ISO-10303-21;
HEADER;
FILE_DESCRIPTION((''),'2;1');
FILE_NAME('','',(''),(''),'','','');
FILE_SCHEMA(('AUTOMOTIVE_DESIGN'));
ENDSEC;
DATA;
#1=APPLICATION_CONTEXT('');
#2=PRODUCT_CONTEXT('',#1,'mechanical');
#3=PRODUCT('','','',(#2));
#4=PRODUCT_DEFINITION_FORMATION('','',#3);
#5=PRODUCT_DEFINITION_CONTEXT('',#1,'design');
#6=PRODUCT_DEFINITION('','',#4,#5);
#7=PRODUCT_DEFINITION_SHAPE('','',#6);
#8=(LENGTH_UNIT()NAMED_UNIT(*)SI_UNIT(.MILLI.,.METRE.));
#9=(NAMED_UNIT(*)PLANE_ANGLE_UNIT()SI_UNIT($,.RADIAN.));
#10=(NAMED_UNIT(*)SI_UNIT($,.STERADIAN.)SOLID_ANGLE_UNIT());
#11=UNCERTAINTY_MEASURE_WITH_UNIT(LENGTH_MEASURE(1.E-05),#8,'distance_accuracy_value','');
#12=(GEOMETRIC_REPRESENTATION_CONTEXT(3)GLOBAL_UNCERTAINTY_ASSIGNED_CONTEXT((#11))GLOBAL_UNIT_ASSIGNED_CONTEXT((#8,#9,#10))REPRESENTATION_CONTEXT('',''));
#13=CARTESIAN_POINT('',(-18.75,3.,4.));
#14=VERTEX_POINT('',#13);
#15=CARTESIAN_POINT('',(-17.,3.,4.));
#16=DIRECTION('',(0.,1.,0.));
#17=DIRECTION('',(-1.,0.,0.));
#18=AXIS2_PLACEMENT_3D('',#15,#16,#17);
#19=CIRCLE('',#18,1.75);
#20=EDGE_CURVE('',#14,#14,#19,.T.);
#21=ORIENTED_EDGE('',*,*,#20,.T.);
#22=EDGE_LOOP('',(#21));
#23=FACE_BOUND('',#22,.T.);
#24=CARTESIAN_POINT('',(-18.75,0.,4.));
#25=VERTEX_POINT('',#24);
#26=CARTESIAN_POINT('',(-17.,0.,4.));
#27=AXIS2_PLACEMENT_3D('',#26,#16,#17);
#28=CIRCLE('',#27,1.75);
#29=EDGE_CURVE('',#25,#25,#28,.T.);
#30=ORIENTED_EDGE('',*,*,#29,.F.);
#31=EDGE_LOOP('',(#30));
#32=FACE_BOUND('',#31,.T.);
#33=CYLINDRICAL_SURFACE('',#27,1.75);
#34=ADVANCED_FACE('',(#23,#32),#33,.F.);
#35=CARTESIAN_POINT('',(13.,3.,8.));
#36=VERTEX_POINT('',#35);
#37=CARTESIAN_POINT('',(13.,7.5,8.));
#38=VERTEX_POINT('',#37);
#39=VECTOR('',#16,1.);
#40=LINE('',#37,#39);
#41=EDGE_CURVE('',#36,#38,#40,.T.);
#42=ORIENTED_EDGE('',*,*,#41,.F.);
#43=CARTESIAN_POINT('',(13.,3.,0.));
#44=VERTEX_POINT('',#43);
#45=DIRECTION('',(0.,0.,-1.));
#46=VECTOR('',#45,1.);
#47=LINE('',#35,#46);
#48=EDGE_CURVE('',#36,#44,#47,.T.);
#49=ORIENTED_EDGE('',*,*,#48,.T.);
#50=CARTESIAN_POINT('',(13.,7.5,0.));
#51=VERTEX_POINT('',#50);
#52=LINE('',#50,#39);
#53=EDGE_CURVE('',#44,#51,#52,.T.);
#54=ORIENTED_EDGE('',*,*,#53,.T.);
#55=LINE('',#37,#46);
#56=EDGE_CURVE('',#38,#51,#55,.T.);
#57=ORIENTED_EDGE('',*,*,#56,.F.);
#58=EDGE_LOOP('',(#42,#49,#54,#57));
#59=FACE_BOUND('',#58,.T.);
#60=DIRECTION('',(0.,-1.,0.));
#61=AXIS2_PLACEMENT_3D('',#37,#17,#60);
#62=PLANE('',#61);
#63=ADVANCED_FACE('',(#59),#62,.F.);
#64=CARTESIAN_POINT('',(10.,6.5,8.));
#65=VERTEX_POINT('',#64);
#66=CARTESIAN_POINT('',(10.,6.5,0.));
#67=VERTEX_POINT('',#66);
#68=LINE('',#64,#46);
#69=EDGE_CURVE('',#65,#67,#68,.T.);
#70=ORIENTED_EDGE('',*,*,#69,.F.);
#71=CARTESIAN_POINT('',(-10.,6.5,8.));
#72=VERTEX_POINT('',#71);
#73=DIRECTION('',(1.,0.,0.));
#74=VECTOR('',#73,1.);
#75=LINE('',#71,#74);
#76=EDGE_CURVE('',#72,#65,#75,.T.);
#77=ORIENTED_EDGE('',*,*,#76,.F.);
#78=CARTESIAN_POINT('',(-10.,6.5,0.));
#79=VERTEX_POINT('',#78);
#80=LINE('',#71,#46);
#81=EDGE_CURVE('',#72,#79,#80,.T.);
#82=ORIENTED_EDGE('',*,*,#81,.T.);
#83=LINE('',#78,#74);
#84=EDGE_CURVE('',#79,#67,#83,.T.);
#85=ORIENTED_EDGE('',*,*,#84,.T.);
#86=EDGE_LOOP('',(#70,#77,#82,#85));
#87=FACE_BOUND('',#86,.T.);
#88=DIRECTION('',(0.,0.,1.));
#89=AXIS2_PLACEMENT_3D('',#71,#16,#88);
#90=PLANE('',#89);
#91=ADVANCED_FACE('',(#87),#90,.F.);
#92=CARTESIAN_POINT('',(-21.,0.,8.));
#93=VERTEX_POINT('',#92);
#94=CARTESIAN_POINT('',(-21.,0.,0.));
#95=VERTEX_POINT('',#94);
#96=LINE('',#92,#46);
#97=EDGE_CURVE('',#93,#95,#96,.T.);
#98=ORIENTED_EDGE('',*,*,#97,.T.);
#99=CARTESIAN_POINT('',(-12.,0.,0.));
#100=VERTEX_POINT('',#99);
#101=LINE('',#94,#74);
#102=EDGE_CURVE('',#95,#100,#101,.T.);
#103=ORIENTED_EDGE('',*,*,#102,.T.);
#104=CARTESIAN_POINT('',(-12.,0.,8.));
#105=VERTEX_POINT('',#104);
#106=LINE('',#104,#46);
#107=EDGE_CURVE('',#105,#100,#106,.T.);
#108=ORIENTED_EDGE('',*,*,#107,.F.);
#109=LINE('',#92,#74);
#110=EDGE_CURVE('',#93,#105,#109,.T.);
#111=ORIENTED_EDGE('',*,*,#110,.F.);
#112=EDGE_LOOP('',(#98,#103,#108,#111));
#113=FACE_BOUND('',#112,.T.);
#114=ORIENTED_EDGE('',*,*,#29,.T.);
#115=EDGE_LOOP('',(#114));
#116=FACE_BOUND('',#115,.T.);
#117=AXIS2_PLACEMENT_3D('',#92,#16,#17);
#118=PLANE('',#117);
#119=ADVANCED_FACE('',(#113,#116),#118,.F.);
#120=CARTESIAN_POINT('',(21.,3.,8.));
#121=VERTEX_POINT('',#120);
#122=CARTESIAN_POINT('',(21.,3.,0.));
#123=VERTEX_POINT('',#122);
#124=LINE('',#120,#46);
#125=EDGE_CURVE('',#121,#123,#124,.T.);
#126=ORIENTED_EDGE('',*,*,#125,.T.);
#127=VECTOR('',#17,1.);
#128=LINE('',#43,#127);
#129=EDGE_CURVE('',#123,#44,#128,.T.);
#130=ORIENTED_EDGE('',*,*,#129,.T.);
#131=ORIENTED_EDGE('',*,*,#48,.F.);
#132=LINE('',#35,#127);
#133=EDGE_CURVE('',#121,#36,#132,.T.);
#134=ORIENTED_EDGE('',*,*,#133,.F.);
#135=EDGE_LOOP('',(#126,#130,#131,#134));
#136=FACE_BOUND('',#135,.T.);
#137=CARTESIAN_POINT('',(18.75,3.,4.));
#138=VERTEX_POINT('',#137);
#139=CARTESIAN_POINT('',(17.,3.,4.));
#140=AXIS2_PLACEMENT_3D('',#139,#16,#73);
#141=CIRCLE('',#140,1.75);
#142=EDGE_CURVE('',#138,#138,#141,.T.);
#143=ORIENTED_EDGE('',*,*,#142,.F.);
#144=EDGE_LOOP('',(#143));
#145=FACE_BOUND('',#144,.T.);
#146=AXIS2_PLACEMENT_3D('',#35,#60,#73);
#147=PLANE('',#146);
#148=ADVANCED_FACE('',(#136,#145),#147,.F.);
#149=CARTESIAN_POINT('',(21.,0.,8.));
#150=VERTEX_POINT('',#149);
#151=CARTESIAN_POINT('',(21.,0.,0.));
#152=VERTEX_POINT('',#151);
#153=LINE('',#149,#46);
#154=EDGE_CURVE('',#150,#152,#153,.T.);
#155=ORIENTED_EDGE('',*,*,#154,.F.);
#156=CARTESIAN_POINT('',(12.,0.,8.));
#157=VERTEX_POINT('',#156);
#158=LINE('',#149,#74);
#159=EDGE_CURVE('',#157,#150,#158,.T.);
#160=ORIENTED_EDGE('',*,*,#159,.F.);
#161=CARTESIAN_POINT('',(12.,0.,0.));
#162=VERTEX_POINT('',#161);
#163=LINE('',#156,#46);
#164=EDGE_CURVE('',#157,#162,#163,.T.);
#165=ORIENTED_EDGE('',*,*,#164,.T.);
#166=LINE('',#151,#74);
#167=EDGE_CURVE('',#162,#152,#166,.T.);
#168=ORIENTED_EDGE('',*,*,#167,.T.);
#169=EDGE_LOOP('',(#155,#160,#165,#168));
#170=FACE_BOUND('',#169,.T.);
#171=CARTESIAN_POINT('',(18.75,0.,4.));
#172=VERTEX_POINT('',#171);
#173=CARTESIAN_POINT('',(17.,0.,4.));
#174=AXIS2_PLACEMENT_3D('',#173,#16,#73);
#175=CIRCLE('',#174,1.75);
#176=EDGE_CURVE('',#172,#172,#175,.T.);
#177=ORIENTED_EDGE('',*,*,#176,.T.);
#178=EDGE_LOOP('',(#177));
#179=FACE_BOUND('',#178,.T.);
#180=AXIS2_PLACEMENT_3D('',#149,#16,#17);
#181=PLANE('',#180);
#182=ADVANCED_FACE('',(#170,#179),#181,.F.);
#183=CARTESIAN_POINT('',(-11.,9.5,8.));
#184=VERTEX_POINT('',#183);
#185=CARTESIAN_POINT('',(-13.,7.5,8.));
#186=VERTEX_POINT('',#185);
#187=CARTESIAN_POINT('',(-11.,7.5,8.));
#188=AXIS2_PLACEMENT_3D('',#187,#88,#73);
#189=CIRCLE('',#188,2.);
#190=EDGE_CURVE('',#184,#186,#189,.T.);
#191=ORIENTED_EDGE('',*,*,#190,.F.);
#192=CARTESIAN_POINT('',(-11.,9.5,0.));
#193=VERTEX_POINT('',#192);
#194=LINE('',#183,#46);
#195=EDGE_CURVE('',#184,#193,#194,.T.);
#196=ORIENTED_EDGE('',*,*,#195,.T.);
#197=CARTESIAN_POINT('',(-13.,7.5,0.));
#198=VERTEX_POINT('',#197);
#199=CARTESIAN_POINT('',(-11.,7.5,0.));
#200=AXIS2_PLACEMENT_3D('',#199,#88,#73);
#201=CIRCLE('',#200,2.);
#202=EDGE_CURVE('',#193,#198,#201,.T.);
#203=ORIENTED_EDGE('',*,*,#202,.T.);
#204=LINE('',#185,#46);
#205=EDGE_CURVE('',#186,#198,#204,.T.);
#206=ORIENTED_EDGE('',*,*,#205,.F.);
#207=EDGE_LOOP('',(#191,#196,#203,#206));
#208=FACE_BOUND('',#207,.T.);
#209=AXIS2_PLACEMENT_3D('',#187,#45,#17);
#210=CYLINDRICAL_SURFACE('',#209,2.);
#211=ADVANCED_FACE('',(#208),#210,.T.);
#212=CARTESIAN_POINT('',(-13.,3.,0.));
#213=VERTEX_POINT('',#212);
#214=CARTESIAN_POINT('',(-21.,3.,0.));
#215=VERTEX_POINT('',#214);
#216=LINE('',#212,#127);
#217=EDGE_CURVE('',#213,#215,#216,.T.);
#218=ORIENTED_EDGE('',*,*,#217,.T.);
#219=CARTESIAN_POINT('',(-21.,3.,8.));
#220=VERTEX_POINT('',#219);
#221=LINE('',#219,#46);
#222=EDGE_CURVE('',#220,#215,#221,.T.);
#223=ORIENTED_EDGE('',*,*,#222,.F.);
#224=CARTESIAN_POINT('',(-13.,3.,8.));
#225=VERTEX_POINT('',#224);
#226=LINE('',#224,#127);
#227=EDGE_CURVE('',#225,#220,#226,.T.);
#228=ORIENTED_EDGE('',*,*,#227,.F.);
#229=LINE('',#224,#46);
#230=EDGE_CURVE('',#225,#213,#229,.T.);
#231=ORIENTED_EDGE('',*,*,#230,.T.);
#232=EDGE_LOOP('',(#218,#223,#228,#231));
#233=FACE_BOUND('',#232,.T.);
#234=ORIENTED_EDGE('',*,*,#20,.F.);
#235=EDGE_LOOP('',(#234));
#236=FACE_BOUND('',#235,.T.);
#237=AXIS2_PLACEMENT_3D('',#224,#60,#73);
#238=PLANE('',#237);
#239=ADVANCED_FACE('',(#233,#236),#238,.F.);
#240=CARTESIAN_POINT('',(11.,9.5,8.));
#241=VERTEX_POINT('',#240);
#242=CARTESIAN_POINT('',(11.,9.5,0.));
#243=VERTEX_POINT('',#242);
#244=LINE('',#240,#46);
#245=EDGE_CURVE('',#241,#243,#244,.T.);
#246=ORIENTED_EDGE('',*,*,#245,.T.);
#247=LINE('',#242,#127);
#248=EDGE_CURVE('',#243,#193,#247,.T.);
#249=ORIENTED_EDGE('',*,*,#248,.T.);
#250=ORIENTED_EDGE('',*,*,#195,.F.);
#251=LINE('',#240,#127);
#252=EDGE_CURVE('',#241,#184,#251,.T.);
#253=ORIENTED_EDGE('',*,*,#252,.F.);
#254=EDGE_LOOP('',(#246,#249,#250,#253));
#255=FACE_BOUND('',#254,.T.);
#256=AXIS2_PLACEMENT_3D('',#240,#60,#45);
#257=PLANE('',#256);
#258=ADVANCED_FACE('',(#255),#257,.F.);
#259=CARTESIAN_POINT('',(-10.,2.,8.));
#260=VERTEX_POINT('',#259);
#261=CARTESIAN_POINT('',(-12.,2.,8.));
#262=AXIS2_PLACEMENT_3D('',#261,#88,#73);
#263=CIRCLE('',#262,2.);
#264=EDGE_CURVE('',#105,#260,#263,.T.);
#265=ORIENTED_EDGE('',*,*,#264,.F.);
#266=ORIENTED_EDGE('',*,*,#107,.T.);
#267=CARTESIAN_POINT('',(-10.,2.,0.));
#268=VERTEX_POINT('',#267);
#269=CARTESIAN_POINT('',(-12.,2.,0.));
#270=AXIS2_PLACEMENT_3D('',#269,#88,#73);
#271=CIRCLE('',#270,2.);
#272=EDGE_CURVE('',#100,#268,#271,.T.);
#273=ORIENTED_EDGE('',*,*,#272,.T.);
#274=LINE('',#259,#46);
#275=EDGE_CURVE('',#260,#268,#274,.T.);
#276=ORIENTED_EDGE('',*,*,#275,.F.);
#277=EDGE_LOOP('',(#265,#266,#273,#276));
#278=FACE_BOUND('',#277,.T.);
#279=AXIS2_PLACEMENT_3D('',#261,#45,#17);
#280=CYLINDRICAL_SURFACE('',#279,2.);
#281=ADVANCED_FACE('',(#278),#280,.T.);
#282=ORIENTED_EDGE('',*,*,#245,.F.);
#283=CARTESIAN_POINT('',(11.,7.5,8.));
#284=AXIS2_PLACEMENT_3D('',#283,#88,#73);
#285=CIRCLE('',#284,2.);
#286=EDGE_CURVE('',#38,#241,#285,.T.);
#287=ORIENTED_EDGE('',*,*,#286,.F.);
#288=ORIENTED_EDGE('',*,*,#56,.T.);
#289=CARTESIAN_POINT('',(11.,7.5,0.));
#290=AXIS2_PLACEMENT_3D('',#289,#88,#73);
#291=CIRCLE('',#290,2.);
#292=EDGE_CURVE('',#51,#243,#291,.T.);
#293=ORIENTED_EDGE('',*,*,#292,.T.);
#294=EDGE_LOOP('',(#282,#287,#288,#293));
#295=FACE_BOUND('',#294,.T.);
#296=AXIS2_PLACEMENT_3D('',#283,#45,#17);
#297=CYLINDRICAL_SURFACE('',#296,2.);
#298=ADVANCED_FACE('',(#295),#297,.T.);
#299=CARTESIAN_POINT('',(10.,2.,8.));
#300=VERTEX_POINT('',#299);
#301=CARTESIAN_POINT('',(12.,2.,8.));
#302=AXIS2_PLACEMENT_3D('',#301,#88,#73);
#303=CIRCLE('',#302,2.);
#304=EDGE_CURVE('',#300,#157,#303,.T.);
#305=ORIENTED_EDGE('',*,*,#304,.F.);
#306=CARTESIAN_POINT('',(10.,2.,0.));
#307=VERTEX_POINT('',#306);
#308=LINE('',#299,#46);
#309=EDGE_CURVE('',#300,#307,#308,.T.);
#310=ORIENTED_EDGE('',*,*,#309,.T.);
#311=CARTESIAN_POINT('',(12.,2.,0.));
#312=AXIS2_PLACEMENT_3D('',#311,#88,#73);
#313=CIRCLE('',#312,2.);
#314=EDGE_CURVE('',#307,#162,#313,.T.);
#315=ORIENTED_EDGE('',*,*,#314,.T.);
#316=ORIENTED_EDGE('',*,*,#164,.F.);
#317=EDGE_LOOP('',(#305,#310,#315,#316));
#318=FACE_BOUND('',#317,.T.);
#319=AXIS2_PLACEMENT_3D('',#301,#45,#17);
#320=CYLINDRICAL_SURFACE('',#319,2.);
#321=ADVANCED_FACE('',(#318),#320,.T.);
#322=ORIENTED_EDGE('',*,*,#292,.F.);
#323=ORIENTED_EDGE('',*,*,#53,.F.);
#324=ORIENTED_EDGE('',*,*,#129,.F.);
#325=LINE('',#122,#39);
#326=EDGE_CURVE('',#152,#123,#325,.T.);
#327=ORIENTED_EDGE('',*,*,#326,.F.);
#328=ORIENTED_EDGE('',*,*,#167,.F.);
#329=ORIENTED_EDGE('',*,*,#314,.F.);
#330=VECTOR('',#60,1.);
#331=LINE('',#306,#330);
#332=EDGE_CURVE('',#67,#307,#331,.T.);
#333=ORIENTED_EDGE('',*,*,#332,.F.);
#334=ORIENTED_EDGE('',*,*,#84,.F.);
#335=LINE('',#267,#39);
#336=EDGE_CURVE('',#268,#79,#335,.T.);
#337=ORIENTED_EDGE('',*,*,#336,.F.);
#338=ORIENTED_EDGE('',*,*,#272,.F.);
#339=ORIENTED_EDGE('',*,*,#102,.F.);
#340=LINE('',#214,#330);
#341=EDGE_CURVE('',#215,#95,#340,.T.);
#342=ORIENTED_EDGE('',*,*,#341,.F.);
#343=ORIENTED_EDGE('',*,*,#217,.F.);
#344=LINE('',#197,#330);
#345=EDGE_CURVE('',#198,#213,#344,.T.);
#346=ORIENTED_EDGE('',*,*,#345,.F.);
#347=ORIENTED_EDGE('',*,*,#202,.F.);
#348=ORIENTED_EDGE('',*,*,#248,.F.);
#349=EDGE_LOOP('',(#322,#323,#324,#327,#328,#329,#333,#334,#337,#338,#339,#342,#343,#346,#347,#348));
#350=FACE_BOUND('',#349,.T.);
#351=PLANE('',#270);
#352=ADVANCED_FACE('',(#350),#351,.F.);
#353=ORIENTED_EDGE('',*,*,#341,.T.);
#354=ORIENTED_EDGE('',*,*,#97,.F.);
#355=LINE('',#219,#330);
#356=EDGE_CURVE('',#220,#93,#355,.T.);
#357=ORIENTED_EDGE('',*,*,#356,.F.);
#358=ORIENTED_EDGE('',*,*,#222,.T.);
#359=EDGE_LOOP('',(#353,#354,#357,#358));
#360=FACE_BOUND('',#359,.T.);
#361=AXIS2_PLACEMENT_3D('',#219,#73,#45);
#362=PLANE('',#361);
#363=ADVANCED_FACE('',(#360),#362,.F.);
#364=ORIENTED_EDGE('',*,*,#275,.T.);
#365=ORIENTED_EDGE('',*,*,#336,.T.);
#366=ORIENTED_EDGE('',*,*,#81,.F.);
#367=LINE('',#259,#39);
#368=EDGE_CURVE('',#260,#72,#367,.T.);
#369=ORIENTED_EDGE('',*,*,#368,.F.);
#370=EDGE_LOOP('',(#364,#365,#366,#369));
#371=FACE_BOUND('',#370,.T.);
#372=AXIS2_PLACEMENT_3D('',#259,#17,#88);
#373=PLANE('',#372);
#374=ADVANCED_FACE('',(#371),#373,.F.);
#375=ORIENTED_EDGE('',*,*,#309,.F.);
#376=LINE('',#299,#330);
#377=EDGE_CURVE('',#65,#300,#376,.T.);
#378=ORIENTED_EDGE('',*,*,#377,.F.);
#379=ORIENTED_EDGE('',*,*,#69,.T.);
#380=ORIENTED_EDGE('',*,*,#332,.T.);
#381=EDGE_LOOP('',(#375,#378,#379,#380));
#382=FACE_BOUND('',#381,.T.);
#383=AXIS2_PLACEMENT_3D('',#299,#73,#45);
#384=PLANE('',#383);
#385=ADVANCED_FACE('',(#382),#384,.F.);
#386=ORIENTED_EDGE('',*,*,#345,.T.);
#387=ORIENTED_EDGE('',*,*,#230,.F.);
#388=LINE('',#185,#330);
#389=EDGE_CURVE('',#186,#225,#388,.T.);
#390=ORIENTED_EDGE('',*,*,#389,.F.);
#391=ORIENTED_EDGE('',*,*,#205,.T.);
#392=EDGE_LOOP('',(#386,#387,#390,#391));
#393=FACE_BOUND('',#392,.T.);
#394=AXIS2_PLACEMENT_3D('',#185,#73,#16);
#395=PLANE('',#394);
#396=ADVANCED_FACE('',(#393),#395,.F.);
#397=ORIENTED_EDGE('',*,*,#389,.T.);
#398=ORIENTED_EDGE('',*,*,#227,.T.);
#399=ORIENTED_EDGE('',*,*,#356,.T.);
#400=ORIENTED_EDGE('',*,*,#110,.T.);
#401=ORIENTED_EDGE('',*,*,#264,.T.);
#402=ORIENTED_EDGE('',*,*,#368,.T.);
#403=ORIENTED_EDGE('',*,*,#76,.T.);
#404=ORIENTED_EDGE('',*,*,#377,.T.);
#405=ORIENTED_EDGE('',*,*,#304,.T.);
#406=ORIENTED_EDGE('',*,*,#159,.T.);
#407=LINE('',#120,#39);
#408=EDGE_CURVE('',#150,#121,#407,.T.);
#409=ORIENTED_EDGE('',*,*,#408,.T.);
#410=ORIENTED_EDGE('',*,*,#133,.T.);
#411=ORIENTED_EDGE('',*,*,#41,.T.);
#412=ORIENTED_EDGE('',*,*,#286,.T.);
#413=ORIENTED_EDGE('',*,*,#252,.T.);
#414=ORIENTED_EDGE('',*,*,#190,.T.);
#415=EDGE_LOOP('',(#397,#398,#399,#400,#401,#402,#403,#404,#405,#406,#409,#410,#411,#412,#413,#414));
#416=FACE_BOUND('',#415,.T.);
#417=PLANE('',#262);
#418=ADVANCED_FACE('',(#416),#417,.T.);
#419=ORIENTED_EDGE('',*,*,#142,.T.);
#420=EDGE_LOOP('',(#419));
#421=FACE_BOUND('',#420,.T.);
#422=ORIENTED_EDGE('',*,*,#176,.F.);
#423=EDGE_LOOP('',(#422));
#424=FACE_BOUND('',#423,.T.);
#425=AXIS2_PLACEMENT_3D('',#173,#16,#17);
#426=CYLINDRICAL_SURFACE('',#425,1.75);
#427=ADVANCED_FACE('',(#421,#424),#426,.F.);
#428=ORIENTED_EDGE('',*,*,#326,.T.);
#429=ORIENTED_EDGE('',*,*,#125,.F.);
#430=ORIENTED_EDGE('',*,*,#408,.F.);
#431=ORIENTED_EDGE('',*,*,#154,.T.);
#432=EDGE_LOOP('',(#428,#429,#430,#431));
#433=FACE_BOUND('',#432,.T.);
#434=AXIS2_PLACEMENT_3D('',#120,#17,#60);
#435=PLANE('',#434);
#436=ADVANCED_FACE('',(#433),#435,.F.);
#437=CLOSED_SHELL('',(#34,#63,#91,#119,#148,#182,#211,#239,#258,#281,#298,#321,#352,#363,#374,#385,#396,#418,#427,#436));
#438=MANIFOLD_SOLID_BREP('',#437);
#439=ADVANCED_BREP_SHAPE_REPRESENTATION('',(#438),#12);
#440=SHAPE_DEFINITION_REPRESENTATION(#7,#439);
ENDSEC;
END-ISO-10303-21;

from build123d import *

# Parameters (mm, degrees)
BOSS_EXTRUDE1_DEPTH = 8
SKETCH2_R           = 1.75
CUT_EXTRUDE1_DEPTH  = 4


with BuildPart() as part:
    # Sketch1 → Boss-Extrude1 (new body)
    with BuildSketch(Plane.XY):
        with BuildLine():
            Line((-21, 0), (-12, 0))
            ThreePointArc((-12, 0), (-10.585786438, 0.585786438), (-10, 2))
            Line((-10, 2), (-10, 6.5))
            Line((-10, 6.5), (10, 6.5))
            Line((10, 6.5), (10, 2))
            ThreePointArc((10, 2), (10.585786438, 0.585786438), (12, 0))
            Line((12, 0), (21, 0))
            Line((21, 0), (21, 3))
            Line((21, 3), (13, 3))
            Line((13, 3), (13, 7.5))
            ThreePointArc((13, 7.5), (12.414213562, 8.914213562), (11, 9.5))
            Line((11, 9.5), (-11, 9.5))
            ThreePointArc((-11, 9.5), (-12.414213562, 8.914213562), (-13, 7.5))
            Line((-13, 7.5), (-13, 3))
            Line((-13, 3), (-21, 3))
            Line((-21, 3), (-21, 0))
        make_face()
    extrude(amount=BOSS_EXTRUDE1_DEPTH)

    # Sketch2 → Cut-Extrude1 (cut, through all)
    with BuildSketch(Plane(origin=(0, 3, 0), x_dir=(1, 0, 0), z_dir=(0, 1, 0))):
        with Locations((-17, -4)):
            Circle(SKETCH2_R)
        with Locations((17, -4)):
            Circle(SKETCH2_R)
    extrude(amount=-CUT_EXTRUDE1_DEPTH, mode=Mode.SUBTRACT)


solid = part.part
